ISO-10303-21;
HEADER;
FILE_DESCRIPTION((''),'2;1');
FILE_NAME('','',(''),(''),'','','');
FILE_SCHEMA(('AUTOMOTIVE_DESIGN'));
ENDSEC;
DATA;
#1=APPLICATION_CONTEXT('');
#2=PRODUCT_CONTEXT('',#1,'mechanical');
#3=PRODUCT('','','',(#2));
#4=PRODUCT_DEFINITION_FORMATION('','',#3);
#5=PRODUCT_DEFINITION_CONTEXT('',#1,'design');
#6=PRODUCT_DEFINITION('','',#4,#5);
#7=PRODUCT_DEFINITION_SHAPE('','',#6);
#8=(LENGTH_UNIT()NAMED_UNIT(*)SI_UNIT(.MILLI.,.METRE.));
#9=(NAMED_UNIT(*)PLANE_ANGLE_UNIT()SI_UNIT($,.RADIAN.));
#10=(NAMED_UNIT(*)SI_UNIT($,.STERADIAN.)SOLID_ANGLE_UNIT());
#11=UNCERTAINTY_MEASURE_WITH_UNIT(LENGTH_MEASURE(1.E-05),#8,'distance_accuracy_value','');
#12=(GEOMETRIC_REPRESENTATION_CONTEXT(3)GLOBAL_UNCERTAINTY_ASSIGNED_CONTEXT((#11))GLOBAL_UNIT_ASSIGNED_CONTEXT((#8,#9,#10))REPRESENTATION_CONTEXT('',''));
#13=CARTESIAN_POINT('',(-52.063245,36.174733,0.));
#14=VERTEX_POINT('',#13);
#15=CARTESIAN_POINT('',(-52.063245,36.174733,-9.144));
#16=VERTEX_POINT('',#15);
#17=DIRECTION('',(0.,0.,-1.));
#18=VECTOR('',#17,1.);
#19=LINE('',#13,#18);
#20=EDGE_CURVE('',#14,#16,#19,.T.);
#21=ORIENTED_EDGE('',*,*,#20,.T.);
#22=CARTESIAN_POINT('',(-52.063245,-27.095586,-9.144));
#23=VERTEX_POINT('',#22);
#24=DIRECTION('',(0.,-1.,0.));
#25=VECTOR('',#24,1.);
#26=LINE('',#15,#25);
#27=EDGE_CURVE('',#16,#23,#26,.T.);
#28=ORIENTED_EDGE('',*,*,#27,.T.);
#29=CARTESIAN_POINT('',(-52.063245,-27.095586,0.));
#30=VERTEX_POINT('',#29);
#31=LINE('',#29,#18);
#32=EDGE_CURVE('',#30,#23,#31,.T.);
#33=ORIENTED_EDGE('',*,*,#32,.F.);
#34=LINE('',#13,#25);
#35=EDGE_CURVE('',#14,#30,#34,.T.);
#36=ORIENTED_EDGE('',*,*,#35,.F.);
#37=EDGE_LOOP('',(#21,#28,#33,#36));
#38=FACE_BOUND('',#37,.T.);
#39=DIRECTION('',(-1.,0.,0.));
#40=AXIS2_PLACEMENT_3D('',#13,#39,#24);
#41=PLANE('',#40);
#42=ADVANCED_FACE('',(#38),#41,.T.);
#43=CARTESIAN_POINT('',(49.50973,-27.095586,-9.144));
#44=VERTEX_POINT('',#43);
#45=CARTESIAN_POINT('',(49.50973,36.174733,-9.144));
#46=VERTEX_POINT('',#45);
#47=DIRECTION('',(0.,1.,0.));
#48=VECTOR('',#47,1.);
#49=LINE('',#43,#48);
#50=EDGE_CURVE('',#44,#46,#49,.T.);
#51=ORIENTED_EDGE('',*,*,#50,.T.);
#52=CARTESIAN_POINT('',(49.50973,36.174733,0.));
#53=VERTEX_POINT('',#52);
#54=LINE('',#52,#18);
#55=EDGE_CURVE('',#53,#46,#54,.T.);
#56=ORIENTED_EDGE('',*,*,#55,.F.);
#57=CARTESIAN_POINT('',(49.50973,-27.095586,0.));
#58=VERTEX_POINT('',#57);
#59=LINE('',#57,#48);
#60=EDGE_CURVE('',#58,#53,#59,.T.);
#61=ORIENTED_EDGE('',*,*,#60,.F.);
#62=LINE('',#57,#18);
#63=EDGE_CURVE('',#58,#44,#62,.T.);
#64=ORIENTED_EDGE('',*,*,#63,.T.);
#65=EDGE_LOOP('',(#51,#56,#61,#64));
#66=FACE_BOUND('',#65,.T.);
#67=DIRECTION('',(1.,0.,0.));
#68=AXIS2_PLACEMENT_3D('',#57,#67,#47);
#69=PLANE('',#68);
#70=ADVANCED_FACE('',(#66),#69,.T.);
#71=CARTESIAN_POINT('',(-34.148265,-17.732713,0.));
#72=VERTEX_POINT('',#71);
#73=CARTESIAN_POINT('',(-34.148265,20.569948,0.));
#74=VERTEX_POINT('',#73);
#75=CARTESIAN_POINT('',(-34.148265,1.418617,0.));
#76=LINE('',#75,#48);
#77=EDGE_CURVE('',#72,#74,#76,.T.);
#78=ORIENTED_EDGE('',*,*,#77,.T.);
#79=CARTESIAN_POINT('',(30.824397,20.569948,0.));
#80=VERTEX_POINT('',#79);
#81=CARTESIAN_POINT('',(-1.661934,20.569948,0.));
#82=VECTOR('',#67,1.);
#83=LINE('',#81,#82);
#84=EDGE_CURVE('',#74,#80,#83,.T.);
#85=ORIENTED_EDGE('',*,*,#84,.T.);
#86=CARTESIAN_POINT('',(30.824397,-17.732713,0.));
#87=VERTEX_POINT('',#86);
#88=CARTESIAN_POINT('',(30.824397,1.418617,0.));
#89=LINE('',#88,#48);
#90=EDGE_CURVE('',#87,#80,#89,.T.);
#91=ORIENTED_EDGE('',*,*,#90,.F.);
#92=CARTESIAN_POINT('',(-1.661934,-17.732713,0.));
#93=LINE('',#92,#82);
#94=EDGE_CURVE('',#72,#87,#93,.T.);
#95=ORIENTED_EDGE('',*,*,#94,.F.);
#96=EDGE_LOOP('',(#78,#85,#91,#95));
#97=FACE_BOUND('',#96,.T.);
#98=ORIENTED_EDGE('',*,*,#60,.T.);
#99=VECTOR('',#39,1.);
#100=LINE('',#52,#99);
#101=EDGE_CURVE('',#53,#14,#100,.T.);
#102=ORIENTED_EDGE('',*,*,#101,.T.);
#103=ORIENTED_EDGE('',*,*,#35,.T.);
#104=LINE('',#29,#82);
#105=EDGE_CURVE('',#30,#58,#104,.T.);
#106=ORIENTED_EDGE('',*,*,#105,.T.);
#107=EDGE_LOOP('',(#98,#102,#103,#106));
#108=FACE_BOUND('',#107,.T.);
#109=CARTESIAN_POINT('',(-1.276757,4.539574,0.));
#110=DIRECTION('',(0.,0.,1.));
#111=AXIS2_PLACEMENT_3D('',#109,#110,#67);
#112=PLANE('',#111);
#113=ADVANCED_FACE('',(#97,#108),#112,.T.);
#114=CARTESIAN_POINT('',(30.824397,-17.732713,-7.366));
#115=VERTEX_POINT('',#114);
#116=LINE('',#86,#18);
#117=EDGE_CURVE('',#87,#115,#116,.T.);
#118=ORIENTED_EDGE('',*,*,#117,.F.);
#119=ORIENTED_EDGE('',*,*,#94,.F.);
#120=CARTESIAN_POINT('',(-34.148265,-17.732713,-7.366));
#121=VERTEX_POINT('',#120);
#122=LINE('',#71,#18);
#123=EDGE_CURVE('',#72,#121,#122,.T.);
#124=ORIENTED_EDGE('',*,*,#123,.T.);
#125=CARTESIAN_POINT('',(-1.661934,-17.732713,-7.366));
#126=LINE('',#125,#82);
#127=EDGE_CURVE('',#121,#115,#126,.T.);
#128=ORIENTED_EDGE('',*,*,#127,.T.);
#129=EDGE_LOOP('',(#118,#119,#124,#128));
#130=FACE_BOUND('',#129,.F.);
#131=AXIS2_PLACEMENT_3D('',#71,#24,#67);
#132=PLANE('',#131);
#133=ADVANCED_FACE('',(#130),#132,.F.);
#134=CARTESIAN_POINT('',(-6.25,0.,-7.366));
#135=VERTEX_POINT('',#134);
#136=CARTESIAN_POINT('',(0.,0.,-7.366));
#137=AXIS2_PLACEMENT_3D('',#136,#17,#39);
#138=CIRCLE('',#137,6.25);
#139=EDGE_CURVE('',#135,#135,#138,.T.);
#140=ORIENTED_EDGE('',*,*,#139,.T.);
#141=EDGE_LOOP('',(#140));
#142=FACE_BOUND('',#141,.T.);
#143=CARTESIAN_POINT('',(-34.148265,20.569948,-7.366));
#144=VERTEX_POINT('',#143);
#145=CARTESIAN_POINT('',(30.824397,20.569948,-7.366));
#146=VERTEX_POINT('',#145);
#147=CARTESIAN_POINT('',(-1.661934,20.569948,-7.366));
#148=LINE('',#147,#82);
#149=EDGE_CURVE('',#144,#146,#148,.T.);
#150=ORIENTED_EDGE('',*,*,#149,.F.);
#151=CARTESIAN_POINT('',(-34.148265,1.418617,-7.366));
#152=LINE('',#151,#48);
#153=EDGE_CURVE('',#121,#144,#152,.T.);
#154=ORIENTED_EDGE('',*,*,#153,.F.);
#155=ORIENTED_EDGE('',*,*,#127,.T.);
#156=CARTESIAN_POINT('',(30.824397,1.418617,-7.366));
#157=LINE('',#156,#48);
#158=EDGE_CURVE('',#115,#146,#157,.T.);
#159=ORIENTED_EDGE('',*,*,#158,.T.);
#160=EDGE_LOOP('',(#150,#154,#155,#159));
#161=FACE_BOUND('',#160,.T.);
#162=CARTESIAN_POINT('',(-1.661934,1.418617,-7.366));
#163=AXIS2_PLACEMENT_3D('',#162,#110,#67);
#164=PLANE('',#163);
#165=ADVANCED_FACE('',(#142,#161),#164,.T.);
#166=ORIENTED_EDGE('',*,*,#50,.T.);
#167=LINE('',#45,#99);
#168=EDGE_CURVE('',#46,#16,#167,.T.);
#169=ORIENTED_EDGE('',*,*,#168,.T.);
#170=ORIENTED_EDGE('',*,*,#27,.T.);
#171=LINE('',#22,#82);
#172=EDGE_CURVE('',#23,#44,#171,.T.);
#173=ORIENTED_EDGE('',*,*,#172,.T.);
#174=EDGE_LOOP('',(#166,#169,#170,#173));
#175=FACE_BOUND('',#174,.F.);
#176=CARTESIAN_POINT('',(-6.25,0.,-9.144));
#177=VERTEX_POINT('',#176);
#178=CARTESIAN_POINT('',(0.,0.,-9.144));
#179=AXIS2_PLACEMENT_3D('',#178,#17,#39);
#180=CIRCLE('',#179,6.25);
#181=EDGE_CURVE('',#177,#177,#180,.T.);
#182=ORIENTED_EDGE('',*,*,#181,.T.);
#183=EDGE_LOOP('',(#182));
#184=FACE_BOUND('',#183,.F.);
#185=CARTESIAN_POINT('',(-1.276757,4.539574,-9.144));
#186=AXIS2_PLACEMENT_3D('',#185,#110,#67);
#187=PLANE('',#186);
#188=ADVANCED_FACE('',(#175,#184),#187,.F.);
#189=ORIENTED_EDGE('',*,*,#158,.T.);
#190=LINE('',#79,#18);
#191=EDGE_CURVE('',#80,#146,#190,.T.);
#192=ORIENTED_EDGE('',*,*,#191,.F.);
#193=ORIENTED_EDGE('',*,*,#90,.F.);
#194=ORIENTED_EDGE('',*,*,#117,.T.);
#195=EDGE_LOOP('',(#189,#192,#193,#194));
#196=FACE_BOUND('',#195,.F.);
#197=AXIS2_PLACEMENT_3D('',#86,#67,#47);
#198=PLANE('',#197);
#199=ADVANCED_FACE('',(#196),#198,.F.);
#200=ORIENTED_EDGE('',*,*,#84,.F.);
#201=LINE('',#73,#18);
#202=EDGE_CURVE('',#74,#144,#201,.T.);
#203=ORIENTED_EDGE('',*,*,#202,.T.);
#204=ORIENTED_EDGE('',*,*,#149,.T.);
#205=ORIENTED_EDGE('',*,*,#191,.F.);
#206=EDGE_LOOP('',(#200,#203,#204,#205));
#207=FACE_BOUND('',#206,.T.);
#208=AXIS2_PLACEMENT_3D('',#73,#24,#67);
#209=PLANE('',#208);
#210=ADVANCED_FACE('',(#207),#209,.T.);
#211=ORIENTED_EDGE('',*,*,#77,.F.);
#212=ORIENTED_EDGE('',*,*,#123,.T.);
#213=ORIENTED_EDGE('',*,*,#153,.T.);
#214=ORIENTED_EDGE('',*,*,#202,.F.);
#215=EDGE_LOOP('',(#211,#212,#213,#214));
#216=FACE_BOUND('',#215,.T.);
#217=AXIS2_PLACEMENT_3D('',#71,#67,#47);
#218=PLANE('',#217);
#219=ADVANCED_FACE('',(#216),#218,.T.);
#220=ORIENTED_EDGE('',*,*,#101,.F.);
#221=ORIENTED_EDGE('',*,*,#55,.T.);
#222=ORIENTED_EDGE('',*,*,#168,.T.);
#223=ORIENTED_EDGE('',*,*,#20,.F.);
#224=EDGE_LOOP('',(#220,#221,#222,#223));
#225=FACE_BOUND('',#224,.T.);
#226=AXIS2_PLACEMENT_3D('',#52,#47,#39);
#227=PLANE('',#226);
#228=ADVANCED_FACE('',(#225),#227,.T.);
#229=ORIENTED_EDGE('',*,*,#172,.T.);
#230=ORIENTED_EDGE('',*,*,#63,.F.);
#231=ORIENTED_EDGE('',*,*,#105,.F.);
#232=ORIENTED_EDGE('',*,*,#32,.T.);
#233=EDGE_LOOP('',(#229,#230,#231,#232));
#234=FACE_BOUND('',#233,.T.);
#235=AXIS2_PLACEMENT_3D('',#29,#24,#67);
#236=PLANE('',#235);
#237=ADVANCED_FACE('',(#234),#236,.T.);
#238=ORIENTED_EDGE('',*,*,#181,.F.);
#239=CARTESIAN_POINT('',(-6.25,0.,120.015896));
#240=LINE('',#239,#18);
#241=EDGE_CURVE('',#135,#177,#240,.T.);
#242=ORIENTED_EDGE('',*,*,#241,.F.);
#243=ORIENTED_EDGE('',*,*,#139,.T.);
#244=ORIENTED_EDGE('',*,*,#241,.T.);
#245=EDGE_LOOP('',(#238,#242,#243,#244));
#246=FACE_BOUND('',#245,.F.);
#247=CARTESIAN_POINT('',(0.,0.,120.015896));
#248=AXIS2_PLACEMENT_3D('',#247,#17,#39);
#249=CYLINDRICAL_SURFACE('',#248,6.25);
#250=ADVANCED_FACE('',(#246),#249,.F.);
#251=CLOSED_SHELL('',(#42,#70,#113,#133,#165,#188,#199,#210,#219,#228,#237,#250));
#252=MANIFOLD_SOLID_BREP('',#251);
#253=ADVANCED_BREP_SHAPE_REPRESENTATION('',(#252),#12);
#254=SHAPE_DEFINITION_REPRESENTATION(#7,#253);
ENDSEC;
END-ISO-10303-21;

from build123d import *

# Parameters (mm, degrees)
F1_DEPTH = 9.144
F2_W     = 64.972662
F2_H     = 38.302661
F3_DEPTH = 7.366
F5_D     = 12.5


with BuildPart() as f1:
    # F0 (on Top) → F1 (new body)
    with BuildSketch(Plane.XY):
        Polygon((49.50973, 36.174733), (0, 36.174733), (-52.063245, 36.174733), (-52.063245, -27.095586), (49.50973, -27.095586), align=None)
    extrude(amount=-F1_DEPTH)

    # F2 (on Top) → F3 (cut)
    with BuildSketch(Plane.XY):
        with Locations((-1.661934, 1.418617)):
            Rectangle(F2_W, F2_H)
    extrude(amount=-F3_DEPTH, mode=Mode.SUBTRACT)

    # F5 (through all)
    with Locations(Plane.XY):
        with Locations((0, 0)):
            Hole(F5_D / 2)


solid = f1.part
